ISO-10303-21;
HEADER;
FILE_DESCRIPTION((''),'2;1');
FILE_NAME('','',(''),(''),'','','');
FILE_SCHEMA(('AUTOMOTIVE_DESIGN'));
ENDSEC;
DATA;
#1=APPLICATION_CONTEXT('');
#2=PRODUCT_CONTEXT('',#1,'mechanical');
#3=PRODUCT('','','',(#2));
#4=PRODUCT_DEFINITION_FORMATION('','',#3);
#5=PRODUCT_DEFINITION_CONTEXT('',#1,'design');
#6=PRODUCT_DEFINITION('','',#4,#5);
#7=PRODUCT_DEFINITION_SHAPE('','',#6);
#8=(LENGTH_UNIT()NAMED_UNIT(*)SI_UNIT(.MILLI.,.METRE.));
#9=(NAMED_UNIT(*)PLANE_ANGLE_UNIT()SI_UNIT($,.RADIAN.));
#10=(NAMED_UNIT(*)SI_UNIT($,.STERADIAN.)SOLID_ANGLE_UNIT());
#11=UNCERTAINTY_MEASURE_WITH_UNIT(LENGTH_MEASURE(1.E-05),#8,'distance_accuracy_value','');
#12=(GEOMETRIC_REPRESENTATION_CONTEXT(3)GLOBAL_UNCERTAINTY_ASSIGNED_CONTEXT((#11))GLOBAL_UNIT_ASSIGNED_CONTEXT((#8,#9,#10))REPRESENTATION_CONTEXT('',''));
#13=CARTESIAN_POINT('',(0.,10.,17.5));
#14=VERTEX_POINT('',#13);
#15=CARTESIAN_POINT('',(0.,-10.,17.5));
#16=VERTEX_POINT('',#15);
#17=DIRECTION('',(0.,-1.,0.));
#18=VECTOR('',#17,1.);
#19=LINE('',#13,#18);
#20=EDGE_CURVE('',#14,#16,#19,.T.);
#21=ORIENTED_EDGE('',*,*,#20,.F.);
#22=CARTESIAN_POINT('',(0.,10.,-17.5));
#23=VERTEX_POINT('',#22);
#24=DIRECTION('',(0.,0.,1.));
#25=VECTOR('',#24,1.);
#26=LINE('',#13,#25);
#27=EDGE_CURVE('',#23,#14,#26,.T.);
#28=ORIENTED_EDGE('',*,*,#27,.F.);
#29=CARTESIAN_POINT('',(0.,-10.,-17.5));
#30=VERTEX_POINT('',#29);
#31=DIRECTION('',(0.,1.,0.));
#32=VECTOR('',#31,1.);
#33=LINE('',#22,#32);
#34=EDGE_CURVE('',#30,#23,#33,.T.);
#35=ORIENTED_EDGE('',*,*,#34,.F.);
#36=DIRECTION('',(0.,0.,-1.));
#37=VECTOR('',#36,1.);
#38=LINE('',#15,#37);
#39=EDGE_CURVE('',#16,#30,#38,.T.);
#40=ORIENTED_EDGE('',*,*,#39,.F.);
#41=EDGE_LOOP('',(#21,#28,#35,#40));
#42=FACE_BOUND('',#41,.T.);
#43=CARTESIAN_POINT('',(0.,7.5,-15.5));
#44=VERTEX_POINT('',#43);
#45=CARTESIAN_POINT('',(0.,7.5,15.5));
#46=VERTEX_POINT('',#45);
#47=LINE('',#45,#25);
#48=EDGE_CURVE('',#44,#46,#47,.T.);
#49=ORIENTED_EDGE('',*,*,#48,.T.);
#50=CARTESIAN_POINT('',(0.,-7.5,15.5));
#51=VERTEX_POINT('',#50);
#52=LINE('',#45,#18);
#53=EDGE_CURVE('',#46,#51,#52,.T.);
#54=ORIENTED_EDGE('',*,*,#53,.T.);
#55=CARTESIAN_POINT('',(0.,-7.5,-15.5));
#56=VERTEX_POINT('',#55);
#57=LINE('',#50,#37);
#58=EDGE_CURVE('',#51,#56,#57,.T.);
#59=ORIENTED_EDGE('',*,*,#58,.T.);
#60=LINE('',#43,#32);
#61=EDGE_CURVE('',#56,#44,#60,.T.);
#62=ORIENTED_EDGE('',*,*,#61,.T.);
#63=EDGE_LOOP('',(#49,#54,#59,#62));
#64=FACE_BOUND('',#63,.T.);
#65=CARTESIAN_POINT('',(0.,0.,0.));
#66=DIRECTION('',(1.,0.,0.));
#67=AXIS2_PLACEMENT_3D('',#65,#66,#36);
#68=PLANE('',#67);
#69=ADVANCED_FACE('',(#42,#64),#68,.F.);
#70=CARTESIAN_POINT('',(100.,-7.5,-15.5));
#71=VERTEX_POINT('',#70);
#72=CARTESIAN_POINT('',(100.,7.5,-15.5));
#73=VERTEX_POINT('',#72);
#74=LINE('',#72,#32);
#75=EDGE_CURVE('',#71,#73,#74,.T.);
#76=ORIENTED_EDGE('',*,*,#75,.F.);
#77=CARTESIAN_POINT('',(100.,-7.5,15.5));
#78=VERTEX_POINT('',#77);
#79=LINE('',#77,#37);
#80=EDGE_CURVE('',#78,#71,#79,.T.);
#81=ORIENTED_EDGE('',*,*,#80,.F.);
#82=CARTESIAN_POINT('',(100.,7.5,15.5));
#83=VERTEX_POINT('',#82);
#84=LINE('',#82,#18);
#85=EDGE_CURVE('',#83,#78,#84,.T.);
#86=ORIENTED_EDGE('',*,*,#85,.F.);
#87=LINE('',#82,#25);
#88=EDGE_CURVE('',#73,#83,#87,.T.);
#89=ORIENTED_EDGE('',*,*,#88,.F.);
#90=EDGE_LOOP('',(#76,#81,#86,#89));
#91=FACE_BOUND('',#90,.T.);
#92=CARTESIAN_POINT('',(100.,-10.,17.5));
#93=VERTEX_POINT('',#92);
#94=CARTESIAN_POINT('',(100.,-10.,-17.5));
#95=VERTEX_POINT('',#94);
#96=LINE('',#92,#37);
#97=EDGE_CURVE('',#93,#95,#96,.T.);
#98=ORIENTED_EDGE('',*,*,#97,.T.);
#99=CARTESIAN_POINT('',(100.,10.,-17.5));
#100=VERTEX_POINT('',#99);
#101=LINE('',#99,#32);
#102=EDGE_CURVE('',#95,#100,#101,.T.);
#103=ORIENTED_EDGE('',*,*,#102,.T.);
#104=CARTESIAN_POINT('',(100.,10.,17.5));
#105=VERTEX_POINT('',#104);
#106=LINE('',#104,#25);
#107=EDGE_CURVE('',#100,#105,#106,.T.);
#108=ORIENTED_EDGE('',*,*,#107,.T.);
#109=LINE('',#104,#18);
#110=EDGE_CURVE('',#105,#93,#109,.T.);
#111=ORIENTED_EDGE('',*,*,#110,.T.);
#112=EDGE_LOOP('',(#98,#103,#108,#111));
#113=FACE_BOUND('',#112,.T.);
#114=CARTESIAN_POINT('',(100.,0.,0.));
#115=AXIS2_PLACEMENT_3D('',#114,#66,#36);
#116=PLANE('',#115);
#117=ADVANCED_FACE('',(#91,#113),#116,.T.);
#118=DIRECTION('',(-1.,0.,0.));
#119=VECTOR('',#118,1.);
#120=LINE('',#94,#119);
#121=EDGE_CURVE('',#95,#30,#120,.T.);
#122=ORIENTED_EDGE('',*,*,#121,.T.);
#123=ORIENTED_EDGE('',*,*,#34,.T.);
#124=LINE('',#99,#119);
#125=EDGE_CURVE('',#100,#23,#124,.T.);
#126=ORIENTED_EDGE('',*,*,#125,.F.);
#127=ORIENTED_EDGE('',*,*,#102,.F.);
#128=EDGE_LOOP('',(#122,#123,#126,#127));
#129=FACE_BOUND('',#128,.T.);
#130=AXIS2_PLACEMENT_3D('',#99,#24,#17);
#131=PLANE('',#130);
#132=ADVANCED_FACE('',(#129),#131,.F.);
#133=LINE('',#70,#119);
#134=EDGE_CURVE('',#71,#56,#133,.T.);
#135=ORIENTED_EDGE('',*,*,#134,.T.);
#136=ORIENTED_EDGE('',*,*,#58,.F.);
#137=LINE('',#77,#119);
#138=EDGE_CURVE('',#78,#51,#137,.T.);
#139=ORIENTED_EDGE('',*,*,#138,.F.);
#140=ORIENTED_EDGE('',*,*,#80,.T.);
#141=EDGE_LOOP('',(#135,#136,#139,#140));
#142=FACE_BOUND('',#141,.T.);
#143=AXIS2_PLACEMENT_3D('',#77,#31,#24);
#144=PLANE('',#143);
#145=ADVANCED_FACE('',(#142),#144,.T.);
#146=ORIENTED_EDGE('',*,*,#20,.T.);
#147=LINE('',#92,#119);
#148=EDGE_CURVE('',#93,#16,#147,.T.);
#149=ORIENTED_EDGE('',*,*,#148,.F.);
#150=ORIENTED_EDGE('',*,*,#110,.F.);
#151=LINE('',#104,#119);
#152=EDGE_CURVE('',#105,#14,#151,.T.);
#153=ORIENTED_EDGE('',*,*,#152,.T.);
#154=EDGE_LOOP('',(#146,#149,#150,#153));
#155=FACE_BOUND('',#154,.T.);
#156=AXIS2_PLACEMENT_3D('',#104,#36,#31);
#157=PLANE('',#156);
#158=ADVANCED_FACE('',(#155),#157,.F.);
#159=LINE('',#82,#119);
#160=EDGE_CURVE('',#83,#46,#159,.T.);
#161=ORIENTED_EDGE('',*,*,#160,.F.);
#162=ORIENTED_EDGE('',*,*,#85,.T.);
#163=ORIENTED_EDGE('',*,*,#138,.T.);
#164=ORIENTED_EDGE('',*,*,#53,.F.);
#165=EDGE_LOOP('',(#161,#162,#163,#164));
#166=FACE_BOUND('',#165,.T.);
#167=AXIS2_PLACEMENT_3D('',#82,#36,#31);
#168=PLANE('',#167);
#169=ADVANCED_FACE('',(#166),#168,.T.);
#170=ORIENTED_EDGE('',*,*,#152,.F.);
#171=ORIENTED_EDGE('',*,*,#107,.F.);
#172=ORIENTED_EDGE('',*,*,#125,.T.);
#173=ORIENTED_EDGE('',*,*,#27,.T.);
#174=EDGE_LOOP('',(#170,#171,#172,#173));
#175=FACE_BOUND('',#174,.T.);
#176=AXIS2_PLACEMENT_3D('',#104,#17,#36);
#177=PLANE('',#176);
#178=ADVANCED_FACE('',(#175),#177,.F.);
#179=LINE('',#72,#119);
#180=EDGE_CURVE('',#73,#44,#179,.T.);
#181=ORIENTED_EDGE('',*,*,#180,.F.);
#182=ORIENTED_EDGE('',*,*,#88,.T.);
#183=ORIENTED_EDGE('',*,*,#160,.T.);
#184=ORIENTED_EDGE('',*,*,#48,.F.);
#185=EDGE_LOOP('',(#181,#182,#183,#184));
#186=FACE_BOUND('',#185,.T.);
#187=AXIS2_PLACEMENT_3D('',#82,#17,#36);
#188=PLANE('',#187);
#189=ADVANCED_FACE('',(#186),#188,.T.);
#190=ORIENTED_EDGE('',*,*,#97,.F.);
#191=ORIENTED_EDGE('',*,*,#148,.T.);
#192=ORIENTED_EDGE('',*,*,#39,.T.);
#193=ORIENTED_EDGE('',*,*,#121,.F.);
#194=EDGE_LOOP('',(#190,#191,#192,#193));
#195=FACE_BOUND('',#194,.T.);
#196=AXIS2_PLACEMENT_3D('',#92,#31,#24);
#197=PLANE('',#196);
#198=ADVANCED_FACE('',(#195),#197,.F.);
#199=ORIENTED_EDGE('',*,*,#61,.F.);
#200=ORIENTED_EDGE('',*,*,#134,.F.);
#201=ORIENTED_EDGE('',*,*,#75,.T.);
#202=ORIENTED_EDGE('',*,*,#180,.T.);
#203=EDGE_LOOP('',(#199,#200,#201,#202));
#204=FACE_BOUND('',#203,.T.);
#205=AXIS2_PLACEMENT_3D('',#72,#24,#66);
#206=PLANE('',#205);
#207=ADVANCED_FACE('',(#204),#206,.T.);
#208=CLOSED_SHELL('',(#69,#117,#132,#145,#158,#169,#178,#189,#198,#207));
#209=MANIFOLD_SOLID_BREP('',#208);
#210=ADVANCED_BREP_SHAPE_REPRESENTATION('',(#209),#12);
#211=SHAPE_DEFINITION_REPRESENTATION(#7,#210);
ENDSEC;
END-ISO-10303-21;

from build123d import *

# Parameters (mm, degrees)
SKETCH_1_W      = 35
SKETCH_1_H      = 20
SKETCH_1_W_2    = 31
SKETCH_1_H_2    = 15
EXTRUDE_1_DEPTH = 100


with BuildPart() as part:
    # 草图1 → 凸台-拉伸1 (new body)
    with BuildSketch(Plane(origin=(0, 0, 0), x_dir=(0, 0, -1), z_dir=(1, 0, 0))):
        Rectangle(SKETCH_1_W, SKETCH_1_H)
        Rectangle(SKETCH_1_W_2, SKETCH_1_H_2, mode=Mode.SUBTRACT)
    extrude(amount=EXTRUDE_1_DEPTH)


solid = part.part
